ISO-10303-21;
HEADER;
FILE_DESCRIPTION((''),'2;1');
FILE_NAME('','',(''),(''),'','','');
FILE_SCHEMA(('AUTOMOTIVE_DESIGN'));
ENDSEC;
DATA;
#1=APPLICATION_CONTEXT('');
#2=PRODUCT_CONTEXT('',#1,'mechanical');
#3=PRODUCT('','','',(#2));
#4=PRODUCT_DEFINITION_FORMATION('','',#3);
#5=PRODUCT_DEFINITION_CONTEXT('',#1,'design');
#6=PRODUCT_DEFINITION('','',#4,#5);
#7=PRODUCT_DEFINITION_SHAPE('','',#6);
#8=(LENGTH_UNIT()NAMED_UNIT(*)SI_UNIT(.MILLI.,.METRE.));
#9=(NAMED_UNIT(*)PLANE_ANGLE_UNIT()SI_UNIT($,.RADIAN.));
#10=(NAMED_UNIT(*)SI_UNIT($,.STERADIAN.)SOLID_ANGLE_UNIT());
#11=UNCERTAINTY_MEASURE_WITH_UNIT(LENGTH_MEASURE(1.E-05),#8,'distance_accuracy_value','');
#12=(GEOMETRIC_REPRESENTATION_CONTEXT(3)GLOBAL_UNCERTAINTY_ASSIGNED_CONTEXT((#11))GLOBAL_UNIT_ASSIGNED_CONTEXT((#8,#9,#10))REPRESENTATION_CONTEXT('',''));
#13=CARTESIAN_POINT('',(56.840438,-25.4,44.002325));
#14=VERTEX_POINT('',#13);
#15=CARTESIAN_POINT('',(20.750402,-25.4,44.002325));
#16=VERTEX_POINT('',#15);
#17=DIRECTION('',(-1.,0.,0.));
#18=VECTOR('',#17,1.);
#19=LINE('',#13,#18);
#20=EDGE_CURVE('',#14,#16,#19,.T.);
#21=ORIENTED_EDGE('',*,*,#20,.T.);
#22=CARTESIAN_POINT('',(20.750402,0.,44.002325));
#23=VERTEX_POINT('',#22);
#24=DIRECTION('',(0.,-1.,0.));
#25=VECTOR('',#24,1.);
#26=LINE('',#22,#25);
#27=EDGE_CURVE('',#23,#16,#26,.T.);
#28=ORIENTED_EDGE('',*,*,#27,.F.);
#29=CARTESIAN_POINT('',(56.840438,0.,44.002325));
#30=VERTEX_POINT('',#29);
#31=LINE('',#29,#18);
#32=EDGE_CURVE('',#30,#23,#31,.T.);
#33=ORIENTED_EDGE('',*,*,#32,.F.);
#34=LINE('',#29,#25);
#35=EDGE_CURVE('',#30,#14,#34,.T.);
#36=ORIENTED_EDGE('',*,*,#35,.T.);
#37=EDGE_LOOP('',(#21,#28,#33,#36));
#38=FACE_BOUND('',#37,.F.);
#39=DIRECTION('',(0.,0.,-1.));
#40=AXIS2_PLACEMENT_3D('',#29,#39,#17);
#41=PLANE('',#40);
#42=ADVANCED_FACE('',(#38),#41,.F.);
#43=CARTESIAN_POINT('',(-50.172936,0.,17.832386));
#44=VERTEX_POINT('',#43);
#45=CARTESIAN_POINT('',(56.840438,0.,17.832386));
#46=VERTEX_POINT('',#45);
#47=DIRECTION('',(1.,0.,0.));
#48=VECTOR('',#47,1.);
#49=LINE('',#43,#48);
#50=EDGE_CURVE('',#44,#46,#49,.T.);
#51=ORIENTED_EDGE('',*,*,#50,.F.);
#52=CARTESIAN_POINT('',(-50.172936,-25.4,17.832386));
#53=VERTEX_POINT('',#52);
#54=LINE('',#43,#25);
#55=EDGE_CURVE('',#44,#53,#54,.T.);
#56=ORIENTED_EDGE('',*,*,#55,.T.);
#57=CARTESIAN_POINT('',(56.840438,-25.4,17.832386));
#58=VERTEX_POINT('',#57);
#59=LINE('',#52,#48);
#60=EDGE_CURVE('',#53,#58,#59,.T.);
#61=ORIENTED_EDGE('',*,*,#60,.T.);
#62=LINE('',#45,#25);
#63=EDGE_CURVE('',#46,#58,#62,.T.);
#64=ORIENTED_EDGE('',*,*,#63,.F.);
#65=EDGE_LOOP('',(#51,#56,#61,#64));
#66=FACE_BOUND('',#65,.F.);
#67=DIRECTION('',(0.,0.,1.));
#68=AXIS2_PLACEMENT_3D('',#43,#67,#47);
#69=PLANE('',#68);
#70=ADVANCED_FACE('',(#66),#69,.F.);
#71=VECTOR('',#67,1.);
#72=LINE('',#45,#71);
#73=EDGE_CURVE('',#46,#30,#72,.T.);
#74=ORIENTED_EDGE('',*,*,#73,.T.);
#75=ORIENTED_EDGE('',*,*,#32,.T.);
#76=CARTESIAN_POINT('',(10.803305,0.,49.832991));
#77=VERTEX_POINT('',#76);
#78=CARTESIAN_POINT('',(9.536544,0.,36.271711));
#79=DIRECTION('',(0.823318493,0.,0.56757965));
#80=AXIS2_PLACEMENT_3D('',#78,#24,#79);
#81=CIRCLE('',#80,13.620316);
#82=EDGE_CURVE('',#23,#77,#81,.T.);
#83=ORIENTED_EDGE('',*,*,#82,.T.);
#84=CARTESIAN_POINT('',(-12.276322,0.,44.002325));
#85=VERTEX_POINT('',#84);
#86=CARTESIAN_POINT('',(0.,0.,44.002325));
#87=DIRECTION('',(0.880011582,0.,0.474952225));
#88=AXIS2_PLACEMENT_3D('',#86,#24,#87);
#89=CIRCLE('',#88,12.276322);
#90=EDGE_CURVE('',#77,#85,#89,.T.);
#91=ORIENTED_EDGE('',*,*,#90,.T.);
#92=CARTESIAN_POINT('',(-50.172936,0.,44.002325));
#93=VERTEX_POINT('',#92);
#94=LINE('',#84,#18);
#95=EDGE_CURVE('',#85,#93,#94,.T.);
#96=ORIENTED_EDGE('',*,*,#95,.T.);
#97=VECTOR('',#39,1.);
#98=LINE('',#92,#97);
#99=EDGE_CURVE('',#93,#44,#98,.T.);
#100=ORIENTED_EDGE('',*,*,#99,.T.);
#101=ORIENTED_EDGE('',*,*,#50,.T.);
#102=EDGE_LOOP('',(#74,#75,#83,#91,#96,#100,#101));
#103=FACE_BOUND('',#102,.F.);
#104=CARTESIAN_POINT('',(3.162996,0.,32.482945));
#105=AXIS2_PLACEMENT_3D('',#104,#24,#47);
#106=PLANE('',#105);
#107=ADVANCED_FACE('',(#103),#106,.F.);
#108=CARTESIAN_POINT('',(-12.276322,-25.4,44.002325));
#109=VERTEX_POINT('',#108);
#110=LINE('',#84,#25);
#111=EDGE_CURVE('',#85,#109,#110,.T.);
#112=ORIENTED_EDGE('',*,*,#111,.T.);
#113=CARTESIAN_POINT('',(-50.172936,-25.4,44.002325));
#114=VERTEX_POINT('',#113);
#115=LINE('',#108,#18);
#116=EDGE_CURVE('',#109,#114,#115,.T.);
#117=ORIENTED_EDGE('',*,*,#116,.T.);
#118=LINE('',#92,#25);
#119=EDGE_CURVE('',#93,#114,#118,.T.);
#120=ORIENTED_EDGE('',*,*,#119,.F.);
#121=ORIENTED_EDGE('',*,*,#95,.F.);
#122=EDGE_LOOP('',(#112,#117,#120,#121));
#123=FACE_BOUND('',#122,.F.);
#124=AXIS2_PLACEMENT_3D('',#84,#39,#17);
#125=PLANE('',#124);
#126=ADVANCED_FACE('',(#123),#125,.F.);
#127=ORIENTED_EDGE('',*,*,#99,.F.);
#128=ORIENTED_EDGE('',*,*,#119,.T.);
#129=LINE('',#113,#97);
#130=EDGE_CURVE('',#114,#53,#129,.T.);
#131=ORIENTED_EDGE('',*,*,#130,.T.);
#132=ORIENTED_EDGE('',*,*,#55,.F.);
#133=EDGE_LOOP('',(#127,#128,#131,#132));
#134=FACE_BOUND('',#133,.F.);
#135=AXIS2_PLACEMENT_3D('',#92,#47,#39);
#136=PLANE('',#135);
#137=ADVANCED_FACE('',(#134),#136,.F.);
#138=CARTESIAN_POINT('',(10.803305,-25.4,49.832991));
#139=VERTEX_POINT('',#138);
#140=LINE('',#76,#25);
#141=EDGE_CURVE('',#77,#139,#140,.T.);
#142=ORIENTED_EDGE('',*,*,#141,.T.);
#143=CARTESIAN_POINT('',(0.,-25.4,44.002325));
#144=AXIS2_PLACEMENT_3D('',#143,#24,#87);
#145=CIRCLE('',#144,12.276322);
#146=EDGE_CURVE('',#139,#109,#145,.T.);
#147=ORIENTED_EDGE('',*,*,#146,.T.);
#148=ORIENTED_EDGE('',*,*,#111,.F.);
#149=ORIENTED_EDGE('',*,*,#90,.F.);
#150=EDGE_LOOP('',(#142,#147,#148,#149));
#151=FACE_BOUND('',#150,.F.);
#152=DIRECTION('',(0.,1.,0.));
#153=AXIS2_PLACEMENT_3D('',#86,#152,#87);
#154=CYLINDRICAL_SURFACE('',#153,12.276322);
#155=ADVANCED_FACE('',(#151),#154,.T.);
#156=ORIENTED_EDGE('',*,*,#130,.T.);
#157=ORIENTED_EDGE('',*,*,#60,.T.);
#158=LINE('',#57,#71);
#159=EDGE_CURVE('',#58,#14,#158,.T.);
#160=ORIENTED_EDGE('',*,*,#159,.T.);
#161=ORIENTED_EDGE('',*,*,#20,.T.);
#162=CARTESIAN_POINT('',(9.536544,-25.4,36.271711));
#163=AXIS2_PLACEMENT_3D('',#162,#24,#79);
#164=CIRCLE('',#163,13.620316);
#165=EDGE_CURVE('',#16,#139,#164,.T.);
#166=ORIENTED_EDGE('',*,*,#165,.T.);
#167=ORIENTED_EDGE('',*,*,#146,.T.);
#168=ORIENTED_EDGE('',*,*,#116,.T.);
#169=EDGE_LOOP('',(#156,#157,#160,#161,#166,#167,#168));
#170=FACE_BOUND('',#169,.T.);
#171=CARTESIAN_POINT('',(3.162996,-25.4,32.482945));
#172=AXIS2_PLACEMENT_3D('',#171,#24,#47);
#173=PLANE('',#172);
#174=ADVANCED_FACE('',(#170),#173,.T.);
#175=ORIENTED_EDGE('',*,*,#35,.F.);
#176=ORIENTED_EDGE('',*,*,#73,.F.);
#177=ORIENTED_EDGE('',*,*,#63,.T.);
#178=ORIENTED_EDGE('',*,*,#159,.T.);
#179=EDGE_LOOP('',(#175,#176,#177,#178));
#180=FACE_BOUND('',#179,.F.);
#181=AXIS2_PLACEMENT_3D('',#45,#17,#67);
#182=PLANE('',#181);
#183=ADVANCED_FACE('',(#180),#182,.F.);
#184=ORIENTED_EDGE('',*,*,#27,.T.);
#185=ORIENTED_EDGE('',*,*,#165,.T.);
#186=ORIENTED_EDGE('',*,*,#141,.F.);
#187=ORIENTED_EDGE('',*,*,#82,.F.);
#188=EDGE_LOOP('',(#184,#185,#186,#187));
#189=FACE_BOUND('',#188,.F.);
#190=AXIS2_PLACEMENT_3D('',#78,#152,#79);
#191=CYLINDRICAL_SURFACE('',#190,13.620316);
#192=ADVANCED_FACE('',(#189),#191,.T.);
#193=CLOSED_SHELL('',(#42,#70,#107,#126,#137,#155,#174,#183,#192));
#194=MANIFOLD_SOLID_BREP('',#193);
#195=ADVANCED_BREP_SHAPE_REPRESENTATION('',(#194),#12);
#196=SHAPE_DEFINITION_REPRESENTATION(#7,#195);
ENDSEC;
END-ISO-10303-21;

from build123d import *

# Parameters (mm, degrees)
F1_DEPTH = 25.4


with BuildPart() as f1:
    # F0 (on Front) → F1 (new body)
    with BuildSketch(Plane.XZ):
        with BuildLine():
            Line((-12.276322, 44.002325), (-50.172936, 44.002325))
            Line((-50.172936, 44.002325), (-50.172936, 17.832386))
            Line((-50.172936, 17.832386), (56.840438, 17.832386))
            Line((56.840438, 17.832386), (56.840438, 44.002325))
            Line((56.840438, 44.002325), (20.750402, 44.002325))
            ThreePointArc((20.750402, 44.002325), (16.42426, 48.022131), (10.803305, 49.832991))
            ThreePointArc((10.803305, 49.832991), (-3.006927, 55.904697), (-12.276322, 44.002325))
        make_face()
    extrude(amount=F1_DEPTH)


solid = f1.part
